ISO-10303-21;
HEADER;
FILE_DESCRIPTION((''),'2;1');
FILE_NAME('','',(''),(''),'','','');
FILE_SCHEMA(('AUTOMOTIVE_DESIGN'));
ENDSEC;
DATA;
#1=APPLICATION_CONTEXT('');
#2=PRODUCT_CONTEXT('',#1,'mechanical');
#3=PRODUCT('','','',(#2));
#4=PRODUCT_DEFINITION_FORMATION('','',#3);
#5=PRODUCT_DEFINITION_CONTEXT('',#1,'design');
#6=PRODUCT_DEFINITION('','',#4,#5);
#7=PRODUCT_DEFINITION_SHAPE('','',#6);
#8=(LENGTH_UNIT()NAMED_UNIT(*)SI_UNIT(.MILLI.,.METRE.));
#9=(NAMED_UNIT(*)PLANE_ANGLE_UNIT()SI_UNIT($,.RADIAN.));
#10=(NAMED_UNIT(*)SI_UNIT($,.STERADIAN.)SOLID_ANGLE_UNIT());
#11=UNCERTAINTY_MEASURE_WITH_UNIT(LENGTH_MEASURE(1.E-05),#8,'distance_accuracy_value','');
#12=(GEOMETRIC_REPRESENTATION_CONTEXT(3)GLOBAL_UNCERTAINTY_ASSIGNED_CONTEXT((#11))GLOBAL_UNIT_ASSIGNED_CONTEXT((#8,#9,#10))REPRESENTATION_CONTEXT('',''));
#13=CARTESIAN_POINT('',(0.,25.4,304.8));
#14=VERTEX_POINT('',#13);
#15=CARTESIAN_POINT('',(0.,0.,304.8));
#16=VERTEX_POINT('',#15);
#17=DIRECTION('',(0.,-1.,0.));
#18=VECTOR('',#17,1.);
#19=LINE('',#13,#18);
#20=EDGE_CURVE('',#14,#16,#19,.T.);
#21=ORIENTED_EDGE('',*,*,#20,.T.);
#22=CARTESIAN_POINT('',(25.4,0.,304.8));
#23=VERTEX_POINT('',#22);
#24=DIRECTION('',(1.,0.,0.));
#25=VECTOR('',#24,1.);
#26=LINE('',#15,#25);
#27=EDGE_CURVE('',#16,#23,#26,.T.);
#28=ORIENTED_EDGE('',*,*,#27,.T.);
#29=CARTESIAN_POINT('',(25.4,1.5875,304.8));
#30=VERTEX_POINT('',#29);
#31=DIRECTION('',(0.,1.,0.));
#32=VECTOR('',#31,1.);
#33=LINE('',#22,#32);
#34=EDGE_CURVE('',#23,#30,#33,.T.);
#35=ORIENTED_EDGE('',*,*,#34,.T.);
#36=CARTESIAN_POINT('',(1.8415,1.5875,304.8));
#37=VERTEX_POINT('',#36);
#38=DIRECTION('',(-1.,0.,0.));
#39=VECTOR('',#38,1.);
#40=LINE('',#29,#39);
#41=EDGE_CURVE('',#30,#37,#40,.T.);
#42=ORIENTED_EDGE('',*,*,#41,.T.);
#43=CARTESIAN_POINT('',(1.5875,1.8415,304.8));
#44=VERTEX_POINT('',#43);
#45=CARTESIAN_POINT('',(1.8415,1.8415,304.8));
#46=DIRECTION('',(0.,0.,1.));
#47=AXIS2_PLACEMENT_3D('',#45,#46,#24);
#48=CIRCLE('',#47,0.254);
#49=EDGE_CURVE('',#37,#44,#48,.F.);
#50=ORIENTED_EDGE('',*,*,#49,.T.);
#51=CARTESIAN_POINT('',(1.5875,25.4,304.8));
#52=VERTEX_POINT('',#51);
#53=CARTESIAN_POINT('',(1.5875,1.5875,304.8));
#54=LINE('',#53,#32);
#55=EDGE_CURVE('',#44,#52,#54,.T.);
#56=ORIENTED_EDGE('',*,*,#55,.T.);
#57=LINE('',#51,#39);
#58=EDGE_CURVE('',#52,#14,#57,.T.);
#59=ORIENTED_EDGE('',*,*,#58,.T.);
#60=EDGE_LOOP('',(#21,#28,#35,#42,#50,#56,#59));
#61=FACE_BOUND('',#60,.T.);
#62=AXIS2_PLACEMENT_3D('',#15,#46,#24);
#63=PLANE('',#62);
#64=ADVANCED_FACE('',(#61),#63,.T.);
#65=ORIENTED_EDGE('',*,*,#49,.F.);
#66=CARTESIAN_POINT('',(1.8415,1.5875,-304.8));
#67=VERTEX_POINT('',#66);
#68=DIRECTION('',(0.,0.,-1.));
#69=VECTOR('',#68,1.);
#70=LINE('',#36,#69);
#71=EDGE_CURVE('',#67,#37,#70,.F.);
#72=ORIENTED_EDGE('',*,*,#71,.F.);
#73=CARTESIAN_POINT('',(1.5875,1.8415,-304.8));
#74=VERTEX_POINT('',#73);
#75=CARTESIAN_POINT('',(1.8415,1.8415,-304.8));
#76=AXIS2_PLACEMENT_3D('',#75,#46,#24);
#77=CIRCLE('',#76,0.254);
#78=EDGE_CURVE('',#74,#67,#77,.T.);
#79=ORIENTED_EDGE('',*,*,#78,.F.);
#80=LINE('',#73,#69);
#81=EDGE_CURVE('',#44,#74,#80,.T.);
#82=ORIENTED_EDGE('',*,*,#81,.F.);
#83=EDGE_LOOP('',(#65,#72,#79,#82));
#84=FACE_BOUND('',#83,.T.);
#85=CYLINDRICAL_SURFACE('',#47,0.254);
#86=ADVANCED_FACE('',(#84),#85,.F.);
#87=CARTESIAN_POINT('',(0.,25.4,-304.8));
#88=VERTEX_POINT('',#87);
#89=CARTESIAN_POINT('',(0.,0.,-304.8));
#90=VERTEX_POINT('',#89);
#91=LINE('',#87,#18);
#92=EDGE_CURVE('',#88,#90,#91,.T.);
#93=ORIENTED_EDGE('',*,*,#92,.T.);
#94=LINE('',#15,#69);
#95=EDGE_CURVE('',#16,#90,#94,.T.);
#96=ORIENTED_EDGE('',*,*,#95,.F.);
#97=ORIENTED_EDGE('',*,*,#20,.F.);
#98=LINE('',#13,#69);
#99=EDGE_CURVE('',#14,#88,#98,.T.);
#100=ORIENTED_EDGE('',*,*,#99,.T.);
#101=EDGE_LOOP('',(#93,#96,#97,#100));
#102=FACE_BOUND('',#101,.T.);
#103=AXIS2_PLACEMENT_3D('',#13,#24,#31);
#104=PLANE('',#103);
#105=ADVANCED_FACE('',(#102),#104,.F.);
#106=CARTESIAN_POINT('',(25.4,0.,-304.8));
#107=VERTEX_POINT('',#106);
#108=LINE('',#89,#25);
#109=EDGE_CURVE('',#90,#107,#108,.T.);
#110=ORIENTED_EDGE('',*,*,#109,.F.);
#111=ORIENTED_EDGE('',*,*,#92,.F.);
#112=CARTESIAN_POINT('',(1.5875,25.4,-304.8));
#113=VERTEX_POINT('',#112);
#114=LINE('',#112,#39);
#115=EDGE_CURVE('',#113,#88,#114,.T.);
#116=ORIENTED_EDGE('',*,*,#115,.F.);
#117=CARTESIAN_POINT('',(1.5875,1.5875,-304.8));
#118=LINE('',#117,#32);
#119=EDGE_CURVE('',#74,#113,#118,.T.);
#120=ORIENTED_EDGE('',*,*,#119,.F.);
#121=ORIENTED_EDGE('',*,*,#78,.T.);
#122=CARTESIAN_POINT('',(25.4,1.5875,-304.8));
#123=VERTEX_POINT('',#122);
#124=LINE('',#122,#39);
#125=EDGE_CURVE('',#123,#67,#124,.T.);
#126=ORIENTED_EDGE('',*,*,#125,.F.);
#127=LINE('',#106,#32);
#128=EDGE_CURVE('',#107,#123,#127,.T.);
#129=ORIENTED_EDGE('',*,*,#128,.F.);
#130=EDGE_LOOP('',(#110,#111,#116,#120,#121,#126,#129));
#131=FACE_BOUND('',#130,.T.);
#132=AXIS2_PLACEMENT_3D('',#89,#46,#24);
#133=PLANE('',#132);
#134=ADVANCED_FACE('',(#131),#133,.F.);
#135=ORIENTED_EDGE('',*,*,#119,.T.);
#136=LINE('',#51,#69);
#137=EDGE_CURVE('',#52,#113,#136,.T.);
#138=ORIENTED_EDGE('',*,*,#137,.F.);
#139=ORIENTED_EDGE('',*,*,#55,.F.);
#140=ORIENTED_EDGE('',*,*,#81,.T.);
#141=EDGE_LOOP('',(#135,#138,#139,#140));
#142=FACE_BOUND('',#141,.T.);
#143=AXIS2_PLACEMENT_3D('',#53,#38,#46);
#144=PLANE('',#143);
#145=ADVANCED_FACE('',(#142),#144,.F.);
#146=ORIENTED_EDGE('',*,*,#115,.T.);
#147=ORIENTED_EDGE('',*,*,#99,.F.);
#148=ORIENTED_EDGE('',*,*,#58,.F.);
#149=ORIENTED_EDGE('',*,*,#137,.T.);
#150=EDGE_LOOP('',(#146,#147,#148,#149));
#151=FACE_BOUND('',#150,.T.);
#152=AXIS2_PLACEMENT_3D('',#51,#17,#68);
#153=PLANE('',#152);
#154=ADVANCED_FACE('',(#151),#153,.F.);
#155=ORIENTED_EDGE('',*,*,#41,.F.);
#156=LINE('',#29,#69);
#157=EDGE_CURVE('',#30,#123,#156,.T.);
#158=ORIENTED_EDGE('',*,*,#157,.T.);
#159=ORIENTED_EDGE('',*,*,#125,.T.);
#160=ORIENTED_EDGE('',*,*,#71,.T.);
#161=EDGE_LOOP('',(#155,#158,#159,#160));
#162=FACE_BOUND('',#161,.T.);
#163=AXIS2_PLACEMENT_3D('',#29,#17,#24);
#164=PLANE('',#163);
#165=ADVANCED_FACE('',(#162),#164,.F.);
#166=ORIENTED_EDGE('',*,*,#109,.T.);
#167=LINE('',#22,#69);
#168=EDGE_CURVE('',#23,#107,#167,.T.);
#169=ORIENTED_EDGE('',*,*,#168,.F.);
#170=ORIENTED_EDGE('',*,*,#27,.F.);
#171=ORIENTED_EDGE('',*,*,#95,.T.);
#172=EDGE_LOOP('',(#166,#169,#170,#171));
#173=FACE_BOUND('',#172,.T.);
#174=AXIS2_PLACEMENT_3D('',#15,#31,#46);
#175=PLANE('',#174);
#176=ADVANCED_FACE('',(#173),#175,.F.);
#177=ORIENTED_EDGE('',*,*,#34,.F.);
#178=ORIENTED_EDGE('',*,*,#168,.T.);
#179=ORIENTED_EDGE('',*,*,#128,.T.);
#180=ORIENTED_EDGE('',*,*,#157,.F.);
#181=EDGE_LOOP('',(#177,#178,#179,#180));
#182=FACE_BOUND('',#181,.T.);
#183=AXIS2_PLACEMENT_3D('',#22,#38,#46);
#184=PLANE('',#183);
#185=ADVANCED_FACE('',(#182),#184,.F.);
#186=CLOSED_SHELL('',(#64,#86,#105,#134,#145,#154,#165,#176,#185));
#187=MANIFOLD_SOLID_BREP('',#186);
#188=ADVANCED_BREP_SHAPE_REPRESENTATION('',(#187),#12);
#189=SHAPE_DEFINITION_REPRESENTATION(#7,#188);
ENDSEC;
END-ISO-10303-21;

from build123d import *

# Parameters (mm, degrees)
BOSS_EXTRUDE1_DEPTH = 304.8
FILLET1_R           = 0.254


with BuildPart() as part:
    # Sketch3 → Boss-Extrude1 (new, symmetric)
    with BuildSketch(Plane.XY):
        Polygon((1.5875, 25.4), (0, 25.4), (0, 0), (25.4, 0), (25.4, 1.5875), (1.5875, 1.5875), align=None)
    extrude(amount=BOSS_EXTRUDE1_DEPTH, both=True)

    # Fillet1
    fillet1_edges = [part.edges().sort_by_distance(p)[0] for p in [
        (1.5875, 1.5875, 0),
    ]]
    fillet(fillet1_edges, radius=FILLET1_R)


solid = part.part
